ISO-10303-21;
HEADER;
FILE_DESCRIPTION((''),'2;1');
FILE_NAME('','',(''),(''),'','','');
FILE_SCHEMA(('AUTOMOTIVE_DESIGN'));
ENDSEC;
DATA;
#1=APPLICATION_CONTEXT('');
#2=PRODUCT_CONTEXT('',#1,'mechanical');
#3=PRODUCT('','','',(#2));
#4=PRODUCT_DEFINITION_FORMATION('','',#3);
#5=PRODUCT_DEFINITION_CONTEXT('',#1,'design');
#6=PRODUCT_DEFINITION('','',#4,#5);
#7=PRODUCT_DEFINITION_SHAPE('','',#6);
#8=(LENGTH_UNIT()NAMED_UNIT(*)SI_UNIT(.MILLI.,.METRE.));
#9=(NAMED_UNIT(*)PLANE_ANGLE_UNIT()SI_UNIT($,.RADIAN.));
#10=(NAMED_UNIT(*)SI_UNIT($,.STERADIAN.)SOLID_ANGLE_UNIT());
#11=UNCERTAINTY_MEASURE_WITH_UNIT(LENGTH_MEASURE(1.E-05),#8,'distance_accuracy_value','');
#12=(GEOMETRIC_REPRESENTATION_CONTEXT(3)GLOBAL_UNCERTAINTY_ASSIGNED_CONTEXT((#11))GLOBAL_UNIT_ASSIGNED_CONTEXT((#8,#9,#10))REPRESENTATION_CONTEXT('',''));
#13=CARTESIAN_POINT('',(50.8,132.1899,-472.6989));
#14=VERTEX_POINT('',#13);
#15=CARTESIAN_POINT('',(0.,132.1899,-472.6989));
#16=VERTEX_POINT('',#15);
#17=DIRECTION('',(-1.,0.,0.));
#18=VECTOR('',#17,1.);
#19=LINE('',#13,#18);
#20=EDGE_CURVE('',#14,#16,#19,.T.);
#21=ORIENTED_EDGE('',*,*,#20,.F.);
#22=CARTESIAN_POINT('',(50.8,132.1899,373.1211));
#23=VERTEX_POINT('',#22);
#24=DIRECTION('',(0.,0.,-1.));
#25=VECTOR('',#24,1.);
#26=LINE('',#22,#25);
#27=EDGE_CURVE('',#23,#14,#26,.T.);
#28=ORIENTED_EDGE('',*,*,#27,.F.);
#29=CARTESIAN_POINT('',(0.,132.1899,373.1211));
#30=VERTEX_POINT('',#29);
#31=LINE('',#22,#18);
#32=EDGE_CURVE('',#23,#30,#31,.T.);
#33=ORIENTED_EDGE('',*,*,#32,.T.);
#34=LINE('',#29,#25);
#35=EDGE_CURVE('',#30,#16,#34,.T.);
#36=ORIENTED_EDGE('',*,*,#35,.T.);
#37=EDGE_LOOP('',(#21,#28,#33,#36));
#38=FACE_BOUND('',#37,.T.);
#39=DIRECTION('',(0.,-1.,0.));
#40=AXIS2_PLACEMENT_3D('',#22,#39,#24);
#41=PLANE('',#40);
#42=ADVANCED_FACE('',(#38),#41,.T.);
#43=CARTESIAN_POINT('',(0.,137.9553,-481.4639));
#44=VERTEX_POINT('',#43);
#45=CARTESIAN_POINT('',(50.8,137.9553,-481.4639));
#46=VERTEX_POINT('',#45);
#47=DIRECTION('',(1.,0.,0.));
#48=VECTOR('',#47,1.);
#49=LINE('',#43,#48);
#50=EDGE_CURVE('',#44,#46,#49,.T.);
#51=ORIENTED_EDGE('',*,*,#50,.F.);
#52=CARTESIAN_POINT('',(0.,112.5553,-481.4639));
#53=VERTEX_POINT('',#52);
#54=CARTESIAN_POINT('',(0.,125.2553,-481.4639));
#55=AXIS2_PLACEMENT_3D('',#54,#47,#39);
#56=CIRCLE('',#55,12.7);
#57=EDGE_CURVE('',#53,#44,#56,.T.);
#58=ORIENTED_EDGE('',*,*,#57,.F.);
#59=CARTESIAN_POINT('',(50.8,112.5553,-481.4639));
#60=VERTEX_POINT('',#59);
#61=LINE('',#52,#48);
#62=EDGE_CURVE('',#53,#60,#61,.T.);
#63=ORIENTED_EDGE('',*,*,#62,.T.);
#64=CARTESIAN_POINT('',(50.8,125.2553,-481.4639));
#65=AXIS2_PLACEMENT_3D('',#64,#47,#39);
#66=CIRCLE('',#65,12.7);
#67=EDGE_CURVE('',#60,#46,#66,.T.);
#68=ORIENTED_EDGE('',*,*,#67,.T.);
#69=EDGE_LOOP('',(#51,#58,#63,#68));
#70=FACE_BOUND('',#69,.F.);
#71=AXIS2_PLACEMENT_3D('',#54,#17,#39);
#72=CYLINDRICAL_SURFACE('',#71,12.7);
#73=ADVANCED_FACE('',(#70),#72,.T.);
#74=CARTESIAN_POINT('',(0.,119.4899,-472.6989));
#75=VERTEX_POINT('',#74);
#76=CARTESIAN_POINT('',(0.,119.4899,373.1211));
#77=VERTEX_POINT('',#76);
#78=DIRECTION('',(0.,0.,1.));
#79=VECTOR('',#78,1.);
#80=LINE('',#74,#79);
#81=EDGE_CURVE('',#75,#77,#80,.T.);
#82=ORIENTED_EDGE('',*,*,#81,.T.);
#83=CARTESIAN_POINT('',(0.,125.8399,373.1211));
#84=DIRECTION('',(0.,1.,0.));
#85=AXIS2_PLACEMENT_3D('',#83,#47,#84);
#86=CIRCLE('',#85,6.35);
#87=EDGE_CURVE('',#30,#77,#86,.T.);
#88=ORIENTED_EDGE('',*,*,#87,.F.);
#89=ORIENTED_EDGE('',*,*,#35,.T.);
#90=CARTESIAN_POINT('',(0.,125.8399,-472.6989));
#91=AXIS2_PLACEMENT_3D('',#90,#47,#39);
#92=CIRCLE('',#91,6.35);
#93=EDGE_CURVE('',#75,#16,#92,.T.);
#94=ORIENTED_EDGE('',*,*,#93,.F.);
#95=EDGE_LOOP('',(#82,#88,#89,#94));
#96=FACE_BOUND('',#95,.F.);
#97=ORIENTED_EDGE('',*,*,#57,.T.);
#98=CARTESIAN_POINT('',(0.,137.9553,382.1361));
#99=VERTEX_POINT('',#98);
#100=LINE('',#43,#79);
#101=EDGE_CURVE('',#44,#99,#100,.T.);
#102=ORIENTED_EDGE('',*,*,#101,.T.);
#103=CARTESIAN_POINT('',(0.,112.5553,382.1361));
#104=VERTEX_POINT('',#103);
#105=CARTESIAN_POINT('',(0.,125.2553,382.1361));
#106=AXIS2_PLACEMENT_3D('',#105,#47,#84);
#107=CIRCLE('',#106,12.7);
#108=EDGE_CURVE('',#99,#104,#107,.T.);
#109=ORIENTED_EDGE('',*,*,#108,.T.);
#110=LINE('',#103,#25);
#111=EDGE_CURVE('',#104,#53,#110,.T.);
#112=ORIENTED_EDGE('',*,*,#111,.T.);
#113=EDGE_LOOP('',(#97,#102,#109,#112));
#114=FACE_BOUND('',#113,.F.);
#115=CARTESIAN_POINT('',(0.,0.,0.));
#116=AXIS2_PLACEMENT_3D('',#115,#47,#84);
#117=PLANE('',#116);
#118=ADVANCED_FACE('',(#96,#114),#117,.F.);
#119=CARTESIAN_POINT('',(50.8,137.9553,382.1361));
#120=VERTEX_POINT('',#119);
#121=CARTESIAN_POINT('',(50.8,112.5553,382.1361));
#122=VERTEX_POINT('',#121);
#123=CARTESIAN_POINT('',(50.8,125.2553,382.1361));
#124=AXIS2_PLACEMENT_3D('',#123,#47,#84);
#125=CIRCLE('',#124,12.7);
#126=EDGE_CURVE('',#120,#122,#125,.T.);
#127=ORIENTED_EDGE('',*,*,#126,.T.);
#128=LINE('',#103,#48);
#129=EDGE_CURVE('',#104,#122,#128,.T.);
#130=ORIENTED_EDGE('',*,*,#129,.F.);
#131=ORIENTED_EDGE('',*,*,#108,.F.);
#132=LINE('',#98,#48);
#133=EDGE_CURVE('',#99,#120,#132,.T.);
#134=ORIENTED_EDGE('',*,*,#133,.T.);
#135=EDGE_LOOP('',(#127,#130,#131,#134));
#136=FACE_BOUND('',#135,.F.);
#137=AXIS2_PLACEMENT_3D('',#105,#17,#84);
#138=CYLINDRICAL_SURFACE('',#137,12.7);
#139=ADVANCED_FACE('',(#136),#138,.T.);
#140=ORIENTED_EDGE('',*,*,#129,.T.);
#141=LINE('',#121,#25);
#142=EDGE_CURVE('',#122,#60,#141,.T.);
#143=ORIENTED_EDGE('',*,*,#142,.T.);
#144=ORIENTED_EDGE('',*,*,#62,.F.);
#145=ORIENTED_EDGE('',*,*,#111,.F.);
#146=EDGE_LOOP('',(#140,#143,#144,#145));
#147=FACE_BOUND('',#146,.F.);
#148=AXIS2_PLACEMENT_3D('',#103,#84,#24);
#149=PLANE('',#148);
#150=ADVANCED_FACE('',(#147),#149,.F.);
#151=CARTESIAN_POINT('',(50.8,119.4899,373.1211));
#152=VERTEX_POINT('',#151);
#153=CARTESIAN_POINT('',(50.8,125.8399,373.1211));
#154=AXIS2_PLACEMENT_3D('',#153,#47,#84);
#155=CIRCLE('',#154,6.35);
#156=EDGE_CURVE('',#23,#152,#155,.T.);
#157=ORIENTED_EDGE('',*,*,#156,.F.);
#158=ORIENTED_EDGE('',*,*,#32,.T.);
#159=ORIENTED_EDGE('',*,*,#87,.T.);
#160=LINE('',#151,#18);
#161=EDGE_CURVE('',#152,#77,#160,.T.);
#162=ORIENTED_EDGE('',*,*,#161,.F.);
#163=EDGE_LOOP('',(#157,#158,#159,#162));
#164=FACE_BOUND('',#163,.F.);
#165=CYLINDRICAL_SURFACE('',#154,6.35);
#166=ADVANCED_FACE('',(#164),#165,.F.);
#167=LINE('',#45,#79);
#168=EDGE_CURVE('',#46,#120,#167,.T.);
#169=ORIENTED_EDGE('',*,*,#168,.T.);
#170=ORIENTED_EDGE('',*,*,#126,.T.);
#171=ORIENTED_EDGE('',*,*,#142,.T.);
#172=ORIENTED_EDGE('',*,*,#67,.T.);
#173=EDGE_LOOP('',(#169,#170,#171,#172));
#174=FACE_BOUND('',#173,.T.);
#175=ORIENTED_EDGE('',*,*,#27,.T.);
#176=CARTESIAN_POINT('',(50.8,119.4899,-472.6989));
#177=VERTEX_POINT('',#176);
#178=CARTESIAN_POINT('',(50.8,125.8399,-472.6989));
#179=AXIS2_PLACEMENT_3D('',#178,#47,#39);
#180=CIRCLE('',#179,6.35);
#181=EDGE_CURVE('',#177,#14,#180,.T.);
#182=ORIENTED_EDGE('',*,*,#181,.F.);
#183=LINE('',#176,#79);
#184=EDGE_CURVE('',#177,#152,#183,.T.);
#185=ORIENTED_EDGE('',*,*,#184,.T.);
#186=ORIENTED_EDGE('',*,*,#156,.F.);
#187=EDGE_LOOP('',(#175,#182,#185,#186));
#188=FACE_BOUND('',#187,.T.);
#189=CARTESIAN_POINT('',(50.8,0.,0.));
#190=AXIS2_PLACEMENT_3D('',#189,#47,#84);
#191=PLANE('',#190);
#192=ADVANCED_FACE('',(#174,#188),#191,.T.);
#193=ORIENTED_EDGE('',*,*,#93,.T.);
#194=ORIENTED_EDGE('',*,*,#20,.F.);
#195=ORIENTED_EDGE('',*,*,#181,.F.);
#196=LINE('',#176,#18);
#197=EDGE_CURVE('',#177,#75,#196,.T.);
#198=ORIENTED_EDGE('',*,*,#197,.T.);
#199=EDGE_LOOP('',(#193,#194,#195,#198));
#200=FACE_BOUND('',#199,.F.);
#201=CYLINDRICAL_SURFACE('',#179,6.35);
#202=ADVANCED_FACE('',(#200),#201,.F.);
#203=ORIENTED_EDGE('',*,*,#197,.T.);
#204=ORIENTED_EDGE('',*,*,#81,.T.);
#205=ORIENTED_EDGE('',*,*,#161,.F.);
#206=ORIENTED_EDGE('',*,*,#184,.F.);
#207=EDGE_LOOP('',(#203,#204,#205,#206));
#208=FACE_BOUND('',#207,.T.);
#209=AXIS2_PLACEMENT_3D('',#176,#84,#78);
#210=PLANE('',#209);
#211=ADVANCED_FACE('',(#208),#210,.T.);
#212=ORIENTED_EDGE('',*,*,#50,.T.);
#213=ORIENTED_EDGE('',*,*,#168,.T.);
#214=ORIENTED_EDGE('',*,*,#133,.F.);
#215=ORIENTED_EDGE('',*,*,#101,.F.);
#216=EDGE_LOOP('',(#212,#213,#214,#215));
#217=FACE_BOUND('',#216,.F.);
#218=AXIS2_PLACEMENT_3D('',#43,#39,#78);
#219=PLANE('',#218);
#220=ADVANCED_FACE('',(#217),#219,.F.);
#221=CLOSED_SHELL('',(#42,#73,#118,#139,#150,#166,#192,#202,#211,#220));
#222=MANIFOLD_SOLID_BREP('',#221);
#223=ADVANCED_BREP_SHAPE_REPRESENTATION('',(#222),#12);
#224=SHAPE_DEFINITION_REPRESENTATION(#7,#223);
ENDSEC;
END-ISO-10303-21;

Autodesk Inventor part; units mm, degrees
ref_plane "YZ Plane" through (0, 0, 0) normal (1, 0, 0) x (0, 1, 0)
ref_plane "XZ Plane" through (0, 0, 0) normal (0, 1, 0) x (-1, 0, 0)
ref_plane "XY Plane" through (0, 0, 0) normal (0, 0, 1) x (1, 0, 0)
sketch "Sketch1" plane through (0, 0, 0) normal (1, 0, 0) x (0, 1, 0)
  line L0 (137.9553, -481.4639) -> (137.9553, 382.1361)
  line L1 (112.5553, 382.1361) -> (112.5553, -481.4639)
  arc A0 (137.9553, 382.1361) -> (112.5553, 382.1361) centre (125.2553, 382.1361) ccw
  arc A1 (112.5553, -481.4639) -> (137.9553, -481.4639) centre (125.2553, -481.4639) ccw
  point P0 (0, 0)
extrude "Extrusion1" add sketch "Sketch1" along normal blind 50.8
sketch "Sketch2" plane through (50.8, 0, 0) normal (1, 0, 0) x (0, 0, -1)
  line L0 (-373.1211, 132.1899) -> (472.6989, 132.1899)
  line L1 (472.6989, 119.4899) -> (-373.1211, 119.4899)
  arc A0 (-373.1211, 132.1899) -> (-373.1211, 119.4899) centre (-373.1211, 125.8399) ccw
  arc A1 (472.6989, 119.4899) -> (472.6989, 132.1899) centre (472.6989, 125.8399) ccw
  point P0 (0, 0)
extrude "Extrusion2" cut sketch "Sketch2" against normal blind 50.8
properties part number "belt" material "Rubber"
